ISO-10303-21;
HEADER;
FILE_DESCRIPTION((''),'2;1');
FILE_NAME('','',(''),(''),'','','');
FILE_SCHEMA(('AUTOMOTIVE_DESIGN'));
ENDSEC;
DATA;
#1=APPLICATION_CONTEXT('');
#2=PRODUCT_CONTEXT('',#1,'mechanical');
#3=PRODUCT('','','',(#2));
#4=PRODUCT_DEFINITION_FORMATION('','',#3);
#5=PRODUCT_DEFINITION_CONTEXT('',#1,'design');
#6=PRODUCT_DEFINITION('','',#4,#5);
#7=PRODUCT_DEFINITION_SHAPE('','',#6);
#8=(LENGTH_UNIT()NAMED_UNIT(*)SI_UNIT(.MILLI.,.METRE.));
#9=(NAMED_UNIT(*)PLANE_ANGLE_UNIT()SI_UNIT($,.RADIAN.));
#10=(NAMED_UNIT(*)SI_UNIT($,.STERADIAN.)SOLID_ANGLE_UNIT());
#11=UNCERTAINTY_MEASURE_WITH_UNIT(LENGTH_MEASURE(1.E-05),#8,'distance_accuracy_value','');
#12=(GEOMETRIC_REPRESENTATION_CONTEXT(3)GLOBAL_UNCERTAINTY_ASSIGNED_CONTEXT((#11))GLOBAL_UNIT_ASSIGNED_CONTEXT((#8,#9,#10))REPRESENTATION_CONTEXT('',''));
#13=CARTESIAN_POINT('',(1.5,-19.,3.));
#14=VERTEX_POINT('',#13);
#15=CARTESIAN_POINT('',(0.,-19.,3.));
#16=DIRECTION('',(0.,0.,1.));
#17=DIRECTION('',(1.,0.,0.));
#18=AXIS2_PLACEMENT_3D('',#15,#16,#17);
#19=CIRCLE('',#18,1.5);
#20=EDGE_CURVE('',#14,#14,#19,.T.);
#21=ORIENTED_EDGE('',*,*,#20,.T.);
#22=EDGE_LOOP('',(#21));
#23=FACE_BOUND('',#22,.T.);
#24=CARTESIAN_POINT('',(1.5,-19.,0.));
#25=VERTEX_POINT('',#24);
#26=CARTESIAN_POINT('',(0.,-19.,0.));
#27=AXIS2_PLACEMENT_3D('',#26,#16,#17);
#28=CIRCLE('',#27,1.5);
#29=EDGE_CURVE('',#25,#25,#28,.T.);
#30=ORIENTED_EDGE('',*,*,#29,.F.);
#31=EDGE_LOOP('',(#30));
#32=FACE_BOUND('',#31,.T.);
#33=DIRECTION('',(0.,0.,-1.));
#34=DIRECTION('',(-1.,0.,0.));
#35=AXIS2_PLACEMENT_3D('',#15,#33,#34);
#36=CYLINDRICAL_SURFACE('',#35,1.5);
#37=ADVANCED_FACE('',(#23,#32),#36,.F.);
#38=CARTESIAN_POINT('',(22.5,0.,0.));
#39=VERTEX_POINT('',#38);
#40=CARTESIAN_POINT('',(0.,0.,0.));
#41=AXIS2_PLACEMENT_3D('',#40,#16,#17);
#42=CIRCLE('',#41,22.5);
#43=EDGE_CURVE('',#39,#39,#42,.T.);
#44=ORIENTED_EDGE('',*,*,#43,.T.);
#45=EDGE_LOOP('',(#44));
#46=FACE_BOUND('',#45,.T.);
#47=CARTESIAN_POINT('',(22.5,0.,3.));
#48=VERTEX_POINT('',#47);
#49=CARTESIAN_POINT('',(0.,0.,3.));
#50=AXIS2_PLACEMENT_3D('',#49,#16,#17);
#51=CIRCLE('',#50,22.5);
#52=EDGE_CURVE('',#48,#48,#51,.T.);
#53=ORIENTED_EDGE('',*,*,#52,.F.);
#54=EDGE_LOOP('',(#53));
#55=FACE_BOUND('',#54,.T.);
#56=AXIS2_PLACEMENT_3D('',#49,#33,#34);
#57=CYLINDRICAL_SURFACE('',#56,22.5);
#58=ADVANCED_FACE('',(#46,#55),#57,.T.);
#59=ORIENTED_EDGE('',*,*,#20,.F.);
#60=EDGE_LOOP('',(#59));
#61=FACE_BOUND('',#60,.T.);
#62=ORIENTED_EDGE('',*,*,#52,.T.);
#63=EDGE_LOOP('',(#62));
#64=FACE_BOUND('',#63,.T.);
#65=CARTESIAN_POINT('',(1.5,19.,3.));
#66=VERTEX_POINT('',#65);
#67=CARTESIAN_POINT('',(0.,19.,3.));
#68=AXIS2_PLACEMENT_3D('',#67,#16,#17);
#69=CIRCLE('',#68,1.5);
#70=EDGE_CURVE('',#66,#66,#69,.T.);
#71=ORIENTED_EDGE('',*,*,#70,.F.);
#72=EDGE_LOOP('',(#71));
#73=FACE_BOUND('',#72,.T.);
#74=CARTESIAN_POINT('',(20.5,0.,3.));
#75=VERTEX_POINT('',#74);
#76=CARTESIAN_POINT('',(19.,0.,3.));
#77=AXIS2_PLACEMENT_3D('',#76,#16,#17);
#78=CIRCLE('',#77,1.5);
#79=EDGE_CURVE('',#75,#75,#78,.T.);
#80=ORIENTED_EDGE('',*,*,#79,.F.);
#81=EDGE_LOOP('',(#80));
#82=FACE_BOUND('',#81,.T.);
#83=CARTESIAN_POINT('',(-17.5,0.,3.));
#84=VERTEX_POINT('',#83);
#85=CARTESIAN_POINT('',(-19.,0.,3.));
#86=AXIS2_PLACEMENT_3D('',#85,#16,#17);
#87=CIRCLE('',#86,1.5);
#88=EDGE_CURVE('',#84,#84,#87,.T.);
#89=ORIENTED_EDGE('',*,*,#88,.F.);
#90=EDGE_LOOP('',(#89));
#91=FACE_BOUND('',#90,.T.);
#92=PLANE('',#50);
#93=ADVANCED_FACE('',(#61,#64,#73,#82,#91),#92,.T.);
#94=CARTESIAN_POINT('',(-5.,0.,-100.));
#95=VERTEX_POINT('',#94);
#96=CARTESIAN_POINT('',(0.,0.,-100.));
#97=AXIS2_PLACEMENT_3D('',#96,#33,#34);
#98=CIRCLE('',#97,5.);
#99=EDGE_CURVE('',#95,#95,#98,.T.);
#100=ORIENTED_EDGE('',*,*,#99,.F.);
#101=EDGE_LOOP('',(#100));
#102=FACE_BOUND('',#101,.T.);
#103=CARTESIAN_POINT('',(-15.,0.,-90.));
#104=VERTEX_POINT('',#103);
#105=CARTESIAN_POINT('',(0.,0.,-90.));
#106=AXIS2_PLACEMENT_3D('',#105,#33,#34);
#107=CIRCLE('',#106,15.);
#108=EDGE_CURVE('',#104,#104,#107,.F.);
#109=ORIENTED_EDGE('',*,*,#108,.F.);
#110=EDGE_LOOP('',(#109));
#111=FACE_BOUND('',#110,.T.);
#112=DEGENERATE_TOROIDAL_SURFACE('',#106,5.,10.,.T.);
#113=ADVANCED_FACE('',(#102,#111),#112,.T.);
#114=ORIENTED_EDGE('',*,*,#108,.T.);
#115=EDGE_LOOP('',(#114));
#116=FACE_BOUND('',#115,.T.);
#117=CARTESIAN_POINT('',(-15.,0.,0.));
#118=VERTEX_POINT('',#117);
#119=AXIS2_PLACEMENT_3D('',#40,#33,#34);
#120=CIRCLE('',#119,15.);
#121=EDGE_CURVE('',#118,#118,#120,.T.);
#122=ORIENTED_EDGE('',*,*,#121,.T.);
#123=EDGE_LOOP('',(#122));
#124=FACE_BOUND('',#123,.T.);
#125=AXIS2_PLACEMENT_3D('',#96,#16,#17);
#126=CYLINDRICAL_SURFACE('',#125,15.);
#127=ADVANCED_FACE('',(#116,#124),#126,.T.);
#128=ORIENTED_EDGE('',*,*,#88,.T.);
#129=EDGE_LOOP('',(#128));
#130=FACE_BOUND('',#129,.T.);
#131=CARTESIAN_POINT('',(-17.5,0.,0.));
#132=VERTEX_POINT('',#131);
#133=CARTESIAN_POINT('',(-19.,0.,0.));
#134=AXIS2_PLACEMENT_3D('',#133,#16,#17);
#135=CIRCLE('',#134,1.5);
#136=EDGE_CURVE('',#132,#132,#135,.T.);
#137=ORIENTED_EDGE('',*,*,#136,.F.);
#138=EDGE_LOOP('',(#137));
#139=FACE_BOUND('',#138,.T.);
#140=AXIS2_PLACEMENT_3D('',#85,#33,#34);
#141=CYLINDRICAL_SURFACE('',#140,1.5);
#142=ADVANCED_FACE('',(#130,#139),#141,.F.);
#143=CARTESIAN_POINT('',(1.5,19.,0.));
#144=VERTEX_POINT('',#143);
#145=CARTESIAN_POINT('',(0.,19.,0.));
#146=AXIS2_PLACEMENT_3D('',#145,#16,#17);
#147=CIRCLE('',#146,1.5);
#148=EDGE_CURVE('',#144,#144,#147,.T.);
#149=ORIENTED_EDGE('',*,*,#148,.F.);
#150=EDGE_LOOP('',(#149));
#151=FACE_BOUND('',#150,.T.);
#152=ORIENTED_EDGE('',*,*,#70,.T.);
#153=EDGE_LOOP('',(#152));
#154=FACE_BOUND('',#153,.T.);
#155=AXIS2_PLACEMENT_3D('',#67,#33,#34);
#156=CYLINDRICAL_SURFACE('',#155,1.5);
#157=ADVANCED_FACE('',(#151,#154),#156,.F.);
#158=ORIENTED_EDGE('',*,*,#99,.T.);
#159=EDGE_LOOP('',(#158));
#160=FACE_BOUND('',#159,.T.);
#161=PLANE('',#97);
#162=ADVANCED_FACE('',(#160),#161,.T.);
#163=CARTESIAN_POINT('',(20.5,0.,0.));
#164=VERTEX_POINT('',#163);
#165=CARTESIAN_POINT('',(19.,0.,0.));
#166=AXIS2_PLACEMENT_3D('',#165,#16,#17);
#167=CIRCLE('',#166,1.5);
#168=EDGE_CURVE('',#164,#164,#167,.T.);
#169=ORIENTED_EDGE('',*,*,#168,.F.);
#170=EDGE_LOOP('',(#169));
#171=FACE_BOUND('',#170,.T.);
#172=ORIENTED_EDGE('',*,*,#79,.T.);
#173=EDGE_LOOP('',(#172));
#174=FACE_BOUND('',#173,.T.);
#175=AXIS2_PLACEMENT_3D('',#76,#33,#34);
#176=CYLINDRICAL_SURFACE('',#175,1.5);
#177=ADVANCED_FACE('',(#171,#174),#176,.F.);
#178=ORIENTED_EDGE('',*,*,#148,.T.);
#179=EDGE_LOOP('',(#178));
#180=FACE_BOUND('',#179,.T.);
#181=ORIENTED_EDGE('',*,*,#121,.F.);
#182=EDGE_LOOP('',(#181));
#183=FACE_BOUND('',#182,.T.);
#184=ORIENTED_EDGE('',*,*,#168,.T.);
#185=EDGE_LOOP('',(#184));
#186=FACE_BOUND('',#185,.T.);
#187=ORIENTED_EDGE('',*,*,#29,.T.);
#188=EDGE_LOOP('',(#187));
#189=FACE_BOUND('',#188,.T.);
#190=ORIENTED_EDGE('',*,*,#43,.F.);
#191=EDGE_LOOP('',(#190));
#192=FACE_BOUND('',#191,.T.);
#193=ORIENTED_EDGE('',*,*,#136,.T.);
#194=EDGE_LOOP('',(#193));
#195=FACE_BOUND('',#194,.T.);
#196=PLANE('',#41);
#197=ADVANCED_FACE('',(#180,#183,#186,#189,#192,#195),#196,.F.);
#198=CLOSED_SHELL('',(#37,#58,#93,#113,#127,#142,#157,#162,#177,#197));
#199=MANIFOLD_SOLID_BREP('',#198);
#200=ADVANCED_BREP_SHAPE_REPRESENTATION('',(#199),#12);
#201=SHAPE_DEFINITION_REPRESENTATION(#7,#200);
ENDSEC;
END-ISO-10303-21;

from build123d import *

# Parameters (mm, degrees)
ESQUISSE1_R        = 22.5
ESQUISSE1_R_2      = 1.5
BOSS_EXTRU_1_DEPTH = 3
ESQUISSE2_R        = 15
BOSS_EXTRU_2_DEPTH = 100
CONG_1_R           = 10


with BuildPart() as part:
    # Esquisse1 → Boss.-Extru.1 (new body)
    with BuildSketch(Plane.XY):
        Circle(ESQUISSE1_R)
        with Locations((0, 19)):
            Circle(ESQUISSE1_R_2, mode=Mode.SUBTRACT)
        with Locations((19, 0)):
            Circle(ESQUISSE1_R_2, mode=Mode.SUBTRACT)
        with Locations((0, -19)):
            Circle(ESQUISSE1_R_2, mode=Mode.SUBTRACT)
        with Locations((-19, 0)):
            Circle(ESQUISSE1_R_2, mode=Mode.SUBTRACT)
    extrude(amount=BOSS_EXTRU_1_DEPTH)

    # Esquisse2 → Boss.-Extru.2 (add)
    with BuildSketch(Plane(origin=(0, 0, 0), x_dir=(-1, 0, 0), z_dir=(0, 0, -1))):
        Circle(ESQUISSE2_R)
    extrude(amount=BOSS_EXTRU_2_DEPTH)

    # Congé1
    cong_1_edges = [part.edges().sort_by_distance(p)[0] for p in [
        (15, 0, -100),
    ]]
    fillet(cong_1_edges, radius=CONG_1_R)


solid = part.part
